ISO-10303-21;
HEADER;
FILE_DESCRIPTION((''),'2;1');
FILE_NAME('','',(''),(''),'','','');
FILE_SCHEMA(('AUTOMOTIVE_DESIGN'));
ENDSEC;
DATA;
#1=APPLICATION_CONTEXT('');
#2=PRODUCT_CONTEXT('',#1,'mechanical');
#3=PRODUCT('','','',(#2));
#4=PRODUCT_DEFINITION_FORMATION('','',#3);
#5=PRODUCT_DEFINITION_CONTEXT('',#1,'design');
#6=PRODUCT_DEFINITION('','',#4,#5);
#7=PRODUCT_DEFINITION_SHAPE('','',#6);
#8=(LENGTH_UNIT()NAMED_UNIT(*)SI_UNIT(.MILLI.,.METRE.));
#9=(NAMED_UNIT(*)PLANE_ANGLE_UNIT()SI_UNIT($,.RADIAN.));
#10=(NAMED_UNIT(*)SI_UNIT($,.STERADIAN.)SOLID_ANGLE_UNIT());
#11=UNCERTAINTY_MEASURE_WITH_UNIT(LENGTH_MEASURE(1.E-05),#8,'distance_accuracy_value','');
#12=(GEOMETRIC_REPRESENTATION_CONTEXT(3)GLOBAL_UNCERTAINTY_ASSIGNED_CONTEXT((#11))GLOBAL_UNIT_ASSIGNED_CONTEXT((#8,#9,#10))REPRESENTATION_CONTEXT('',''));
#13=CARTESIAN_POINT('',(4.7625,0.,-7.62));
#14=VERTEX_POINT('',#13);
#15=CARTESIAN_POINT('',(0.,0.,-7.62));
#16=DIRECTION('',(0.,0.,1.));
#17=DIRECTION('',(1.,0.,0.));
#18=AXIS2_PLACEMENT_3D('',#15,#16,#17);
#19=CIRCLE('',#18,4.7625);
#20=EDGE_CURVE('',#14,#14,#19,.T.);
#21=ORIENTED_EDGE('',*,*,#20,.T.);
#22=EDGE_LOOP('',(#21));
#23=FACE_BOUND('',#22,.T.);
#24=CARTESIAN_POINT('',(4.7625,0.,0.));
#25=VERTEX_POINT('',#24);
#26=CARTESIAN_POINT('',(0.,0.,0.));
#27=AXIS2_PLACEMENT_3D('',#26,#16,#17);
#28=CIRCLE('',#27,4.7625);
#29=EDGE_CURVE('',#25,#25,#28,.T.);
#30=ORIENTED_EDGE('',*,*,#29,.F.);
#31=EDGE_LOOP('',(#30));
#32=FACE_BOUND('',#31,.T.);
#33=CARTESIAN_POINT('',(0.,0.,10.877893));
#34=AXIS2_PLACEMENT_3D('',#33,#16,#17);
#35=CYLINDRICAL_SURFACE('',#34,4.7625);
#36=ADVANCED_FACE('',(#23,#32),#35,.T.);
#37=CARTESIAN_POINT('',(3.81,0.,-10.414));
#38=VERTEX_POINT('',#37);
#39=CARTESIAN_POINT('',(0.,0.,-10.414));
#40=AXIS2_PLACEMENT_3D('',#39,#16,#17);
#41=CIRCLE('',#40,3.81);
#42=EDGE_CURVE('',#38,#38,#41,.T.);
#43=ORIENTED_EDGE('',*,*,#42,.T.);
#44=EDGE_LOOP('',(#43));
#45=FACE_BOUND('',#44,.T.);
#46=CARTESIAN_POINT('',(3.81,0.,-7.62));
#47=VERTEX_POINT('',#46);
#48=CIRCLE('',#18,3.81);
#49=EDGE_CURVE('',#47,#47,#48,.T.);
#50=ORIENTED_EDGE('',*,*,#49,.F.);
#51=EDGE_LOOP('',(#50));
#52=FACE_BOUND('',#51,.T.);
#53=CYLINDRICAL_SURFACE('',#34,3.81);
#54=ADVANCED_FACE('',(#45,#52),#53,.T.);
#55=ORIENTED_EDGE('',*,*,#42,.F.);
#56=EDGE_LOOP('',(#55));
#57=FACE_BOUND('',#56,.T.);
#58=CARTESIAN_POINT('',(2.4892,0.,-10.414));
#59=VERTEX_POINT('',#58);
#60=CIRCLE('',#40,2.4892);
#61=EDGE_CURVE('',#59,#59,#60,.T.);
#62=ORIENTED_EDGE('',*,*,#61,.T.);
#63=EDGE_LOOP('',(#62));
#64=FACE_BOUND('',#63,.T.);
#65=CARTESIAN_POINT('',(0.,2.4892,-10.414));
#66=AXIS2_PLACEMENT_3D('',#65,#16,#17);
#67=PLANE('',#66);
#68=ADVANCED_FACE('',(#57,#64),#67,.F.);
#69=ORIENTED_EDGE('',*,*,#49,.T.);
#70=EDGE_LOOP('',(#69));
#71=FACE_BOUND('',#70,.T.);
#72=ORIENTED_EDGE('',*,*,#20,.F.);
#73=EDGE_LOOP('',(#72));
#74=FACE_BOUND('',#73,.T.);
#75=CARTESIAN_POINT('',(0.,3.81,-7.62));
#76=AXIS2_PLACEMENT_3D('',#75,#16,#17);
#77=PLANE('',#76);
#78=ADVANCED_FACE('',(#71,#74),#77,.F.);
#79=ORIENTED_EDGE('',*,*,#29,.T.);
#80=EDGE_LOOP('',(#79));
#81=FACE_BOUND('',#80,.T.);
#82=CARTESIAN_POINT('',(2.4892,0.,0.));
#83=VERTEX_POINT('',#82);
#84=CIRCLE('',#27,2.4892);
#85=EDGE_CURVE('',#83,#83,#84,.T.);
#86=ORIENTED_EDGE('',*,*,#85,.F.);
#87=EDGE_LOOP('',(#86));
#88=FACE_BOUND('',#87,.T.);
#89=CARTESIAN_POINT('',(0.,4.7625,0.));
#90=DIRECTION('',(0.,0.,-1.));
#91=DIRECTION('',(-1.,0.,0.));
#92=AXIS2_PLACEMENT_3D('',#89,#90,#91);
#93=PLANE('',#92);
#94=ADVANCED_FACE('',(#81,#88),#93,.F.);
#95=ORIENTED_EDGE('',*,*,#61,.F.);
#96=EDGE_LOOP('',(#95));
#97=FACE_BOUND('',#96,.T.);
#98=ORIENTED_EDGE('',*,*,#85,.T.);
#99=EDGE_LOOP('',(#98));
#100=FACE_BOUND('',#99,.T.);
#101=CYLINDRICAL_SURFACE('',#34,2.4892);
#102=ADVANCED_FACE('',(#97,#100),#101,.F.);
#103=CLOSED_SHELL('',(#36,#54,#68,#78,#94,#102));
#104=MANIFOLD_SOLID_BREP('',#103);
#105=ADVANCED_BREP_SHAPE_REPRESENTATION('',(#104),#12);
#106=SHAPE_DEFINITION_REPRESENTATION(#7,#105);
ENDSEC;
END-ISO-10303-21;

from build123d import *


with BuildPart() as part:
    # Sketch1 → Revolve1 (revolve)
    with BuildSketch(Plane(origin=(0, 0, 0), x_dir=(0, 0, -1), z_dir=(1, 0, 0)), mode=Mode.PRIVATE) as revolve1_sk:
        Polygon((0, 2.4892), (10.414, 2.4892), (10.414, 3.81), (7.62, 3.81), (7.62, 4.7625), (0, 4.7625), align=None)
    revolve(revolve1_sk.sketch.rotate(Axis((0, 0, 10.877893224), (0, 0, -1)), 90), axis=Axis((0, 0, 10.877893224), (0, 0, -1)))


solid = part.part
